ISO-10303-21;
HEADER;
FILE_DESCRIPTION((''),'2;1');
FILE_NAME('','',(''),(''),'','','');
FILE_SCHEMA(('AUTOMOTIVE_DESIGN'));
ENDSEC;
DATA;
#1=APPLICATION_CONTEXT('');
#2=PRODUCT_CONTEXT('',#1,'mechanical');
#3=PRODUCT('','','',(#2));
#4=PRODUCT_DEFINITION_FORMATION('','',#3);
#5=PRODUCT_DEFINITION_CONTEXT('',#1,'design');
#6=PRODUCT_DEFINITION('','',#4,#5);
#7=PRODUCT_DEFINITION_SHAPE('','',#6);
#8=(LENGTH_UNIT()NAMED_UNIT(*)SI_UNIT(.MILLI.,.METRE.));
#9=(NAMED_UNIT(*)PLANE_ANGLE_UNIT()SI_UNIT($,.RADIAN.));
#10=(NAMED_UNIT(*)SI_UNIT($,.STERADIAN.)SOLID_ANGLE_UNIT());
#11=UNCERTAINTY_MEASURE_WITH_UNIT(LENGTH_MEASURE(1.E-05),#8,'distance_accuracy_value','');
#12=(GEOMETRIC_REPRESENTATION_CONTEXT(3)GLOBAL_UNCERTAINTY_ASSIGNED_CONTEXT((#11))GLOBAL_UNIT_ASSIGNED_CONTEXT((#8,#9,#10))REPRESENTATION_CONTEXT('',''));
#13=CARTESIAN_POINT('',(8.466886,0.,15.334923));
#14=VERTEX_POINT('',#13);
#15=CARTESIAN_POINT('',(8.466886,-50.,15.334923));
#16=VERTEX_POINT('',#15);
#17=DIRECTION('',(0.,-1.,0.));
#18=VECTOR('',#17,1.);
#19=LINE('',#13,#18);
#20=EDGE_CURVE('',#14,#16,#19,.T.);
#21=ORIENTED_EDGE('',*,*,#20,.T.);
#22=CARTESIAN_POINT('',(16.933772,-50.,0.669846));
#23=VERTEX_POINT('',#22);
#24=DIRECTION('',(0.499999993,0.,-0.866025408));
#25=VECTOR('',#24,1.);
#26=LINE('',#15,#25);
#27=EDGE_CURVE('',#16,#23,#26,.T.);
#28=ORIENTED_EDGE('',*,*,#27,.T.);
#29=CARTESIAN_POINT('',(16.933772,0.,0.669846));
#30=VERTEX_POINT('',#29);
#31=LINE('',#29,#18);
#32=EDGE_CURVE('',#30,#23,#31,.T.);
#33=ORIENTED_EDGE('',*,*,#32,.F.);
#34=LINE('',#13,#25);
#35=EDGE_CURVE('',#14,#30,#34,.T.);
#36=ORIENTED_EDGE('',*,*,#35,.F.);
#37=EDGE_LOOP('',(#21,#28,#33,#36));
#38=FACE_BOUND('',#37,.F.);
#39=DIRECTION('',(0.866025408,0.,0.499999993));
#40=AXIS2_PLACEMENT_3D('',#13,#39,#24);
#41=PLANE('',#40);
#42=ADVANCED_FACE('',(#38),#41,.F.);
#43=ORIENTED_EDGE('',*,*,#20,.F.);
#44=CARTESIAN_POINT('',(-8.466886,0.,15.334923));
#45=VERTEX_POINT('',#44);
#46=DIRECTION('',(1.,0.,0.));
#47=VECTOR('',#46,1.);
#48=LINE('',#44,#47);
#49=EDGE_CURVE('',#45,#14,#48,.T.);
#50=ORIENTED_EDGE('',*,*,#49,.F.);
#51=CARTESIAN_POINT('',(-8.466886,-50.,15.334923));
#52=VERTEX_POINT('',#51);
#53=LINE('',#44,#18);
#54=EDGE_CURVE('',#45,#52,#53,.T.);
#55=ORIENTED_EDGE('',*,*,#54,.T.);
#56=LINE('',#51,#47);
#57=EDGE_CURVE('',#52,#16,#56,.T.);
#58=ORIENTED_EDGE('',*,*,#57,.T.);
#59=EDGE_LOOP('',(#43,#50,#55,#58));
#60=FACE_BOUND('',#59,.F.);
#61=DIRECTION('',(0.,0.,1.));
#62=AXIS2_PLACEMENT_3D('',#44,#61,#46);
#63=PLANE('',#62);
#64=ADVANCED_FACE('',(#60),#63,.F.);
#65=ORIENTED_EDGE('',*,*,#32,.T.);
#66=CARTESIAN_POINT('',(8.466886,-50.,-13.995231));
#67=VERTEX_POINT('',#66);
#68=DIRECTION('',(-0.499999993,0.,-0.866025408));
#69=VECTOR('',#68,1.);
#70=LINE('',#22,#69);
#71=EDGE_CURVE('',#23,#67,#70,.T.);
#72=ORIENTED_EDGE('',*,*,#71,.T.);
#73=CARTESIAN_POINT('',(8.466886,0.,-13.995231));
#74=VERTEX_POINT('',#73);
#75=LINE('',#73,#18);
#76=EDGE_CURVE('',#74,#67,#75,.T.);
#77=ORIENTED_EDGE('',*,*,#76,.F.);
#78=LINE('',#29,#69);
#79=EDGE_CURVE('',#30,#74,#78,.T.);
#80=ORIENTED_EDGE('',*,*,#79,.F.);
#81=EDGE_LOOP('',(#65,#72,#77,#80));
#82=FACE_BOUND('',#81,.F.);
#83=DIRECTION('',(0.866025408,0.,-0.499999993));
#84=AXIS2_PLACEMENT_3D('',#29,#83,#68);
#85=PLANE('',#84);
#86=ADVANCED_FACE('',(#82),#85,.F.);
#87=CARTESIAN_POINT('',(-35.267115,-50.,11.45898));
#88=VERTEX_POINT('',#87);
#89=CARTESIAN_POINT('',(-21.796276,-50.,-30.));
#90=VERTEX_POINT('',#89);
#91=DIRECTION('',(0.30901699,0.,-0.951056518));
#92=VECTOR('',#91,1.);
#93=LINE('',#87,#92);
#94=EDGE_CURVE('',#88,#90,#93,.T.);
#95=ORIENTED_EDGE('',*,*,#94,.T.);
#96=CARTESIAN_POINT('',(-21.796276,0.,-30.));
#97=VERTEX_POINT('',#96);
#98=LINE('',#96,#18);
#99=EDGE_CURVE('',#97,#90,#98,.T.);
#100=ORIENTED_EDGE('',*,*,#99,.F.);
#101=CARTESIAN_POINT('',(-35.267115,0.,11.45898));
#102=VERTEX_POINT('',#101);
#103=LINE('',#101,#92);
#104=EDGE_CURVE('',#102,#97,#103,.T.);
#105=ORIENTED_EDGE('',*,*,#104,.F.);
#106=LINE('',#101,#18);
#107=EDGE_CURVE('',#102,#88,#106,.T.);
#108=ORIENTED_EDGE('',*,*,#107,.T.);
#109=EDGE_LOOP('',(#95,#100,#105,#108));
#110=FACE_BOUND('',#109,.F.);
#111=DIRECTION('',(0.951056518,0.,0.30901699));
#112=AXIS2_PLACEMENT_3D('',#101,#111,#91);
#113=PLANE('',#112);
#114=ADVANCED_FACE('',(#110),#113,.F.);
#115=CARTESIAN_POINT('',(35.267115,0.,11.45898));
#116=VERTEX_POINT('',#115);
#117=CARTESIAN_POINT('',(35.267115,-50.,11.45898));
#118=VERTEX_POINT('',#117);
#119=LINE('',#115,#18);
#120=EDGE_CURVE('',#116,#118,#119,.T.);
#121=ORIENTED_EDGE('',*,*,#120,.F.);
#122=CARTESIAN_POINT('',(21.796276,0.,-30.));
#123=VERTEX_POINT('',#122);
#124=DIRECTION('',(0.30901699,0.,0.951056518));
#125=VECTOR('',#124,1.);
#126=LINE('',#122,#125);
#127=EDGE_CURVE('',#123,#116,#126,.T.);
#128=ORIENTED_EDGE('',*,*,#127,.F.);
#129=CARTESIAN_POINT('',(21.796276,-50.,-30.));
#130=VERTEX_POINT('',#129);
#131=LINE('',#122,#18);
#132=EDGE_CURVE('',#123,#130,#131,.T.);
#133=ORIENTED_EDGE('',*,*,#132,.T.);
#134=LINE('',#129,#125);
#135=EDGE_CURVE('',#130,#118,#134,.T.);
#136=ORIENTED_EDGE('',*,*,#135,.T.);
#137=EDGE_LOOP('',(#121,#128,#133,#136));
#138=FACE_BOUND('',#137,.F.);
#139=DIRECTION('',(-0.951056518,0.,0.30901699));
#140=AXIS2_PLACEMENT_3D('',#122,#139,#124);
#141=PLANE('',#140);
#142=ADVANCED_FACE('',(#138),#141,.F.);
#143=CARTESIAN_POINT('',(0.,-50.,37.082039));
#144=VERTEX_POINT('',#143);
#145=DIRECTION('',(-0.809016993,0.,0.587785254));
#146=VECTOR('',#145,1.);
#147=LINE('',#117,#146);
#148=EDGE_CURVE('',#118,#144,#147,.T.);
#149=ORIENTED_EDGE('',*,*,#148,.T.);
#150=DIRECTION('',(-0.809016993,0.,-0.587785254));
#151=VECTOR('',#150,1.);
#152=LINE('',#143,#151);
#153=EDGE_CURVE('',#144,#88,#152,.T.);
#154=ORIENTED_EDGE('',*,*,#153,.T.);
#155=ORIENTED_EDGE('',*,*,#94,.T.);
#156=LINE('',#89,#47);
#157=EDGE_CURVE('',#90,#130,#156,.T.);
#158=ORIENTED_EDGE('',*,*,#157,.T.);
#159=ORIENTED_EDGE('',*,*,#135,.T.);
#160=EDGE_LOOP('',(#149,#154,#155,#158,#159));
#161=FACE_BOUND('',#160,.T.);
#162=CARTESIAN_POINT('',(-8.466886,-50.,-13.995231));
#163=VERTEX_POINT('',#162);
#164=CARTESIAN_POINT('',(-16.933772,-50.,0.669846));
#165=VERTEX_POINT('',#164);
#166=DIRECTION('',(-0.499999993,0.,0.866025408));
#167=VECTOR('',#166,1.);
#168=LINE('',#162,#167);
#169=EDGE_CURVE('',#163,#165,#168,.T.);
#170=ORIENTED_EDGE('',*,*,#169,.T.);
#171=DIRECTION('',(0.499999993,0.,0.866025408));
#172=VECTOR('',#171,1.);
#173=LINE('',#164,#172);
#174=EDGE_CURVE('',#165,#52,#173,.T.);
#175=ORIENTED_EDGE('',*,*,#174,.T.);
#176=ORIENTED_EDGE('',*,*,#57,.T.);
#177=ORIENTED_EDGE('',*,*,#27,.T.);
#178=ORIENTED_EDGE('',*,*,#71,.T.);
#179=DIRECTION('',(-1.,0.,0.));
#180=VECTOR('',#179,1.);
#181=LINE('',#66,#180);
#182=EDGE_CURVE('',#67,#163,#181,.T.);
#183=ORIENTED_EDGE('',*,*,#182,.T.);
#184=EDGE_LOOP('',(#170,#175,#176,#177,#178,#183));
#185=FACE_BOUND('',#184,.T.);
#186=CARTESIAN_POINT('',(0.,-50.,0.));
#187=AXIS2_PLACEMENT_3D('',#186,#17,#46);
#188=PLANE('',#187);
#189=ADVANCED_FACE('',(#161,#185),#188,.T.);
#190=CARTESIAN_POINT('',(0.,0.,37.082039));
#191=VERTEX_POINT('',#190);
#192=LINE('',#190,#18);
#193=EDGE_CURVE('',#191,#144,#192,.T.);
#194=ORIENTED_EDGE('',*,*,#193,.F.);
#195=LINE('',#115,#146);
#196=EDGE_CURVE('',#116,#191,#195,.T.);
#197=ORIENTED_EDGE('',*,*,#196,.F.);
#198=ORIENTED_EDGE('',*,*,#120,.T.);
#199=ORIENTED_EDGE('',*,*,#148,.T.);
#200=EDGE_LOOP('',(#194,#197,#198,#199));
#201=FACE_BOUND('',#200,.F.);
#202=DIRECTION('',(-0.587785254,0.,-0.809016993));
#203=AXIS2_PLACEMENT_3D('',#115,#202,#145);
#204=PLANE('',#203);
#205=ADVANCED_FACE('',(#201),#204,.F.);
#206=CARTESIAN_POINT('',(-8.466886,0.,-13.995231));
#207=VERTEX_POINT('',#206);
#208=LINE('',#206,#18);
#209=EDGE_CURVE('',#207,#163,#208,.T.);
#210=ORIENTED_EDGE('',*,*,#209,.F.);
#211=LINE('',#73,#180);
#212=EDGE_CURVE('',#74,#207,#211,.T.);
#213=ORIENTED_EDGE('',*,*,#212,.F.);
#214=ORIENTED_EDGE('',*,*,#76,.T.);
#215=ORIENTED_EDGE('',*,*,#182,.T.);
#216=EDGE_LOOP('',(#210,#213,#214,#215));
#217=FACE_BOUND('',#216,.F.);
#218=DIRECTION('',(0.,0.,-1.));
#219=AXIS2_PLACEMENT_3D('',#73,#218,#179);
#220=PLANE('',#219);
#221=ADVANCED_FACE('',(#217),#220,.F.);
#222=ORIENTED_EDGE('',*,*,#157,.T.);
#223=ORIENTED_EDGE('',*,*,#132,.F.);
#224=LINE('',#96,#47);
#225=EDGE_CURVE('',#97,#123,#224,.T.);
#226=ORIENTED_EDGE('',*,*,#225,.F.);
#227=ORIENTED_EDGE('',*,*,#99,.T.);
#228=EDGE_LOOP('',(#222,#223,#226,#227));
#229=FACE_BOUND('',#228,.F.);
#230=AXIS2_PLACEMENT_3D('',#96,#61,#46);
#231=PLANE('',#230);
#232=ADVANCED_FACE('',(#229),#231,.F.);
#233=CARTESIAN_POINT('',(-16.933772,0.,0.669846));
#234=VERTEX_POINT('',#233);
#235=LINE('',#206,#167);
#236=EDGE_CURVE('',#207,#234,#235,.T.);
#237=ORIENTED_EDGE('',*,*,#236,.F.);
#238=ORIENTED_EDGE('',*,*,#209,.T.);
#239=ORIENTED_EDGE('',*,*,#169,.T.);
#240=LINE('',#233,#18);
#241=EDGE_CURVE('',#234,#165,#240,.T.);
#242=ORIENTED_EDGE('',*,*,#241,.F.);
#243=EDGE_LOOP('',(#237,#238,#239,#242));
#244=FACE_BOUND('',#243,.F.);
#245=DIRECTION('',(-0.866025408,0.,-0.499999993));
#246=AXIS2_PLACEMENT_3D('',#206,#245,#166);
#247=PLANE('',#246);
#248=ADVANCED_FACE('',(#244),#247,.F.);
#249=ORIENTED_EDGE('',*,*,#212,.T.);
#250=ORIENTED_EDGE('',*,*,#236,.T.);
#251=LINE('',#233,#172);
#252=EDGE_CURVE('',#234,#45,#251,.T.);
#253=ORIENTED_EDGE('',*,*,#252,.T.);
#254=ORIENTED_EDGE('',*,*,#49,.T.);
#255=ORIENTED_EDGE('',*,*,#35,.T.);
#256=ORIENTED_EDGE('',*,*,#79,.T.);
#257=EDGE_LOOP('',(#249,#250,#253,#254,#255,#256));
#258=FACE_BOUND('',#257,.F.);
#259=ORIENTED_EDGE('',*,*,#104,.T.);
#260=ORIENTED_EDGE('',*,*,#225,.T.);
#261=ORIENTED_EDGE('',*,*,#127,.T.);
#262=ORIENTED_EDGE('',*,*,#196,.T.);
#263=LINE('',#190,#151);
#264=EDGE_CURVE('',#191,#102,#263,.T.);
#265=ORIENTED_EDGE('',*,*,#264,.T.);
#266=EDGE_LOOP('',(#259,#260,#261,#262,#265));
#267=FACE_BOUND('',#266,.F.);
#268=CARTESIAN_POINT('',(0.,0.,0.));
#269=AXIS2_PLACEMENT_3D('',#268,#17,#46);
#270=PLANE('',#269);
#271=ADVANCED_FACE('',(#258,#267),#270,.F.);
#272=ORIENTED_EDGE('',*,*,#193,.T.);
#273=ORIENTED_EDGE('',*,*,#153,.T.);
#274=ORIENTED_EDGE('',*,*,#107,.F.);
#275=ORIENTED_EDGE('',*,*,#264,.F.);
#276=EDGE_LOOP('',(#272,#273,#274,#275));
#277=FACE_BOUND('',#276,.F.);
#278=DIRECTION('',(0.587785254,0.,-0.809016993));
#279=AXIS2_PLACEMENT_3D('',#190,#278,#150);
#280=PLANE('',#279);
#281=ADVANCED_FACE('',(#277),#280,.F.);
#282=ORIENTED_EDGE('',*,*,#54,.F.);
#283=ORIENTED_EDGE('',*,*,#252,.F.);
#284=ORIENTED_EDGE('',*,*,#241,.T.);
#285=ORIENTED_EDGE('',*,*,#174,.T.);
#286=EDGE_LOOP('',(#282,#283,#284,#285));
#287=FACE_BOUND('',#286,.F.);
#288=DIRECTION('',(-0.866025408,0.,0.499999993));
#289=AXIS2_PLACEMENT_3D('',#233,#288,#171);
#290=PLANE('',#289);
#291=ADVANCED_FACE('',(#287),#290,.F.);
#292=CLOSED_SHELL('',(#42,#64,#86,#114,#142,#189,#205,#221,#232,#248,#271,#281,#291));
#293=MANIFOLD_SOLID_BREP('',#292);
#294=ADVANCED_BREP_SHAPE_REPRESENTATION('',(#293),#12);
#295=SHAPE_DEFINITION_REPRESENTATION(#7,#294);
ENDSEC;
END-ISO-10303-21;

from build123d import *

# Parameters (mm, degrees)
F1_DEPTH = 50


with BuildPart() as f1:
    # F0 (on Front) → F1 (new body)
    with BuildSketch(Plane.XZ):
        Polygon((-35.267115, 11.45898), (-21.796276, -30), (21.796276, -30), (35.267115, 11.45898), (0, 37.082039), align=None)
        Polygon((-16.933772, 0.669846), (-8.466886, 15.334923), (8.466886, 15.334923), (16.933772, 0.669846), (8.466886, -13.995231), (-8.466886, -13.995231), align=None, mode=Mode.SUBTRACT)
    extrude(amount=F1_DEPTH)


solid = f1.part
